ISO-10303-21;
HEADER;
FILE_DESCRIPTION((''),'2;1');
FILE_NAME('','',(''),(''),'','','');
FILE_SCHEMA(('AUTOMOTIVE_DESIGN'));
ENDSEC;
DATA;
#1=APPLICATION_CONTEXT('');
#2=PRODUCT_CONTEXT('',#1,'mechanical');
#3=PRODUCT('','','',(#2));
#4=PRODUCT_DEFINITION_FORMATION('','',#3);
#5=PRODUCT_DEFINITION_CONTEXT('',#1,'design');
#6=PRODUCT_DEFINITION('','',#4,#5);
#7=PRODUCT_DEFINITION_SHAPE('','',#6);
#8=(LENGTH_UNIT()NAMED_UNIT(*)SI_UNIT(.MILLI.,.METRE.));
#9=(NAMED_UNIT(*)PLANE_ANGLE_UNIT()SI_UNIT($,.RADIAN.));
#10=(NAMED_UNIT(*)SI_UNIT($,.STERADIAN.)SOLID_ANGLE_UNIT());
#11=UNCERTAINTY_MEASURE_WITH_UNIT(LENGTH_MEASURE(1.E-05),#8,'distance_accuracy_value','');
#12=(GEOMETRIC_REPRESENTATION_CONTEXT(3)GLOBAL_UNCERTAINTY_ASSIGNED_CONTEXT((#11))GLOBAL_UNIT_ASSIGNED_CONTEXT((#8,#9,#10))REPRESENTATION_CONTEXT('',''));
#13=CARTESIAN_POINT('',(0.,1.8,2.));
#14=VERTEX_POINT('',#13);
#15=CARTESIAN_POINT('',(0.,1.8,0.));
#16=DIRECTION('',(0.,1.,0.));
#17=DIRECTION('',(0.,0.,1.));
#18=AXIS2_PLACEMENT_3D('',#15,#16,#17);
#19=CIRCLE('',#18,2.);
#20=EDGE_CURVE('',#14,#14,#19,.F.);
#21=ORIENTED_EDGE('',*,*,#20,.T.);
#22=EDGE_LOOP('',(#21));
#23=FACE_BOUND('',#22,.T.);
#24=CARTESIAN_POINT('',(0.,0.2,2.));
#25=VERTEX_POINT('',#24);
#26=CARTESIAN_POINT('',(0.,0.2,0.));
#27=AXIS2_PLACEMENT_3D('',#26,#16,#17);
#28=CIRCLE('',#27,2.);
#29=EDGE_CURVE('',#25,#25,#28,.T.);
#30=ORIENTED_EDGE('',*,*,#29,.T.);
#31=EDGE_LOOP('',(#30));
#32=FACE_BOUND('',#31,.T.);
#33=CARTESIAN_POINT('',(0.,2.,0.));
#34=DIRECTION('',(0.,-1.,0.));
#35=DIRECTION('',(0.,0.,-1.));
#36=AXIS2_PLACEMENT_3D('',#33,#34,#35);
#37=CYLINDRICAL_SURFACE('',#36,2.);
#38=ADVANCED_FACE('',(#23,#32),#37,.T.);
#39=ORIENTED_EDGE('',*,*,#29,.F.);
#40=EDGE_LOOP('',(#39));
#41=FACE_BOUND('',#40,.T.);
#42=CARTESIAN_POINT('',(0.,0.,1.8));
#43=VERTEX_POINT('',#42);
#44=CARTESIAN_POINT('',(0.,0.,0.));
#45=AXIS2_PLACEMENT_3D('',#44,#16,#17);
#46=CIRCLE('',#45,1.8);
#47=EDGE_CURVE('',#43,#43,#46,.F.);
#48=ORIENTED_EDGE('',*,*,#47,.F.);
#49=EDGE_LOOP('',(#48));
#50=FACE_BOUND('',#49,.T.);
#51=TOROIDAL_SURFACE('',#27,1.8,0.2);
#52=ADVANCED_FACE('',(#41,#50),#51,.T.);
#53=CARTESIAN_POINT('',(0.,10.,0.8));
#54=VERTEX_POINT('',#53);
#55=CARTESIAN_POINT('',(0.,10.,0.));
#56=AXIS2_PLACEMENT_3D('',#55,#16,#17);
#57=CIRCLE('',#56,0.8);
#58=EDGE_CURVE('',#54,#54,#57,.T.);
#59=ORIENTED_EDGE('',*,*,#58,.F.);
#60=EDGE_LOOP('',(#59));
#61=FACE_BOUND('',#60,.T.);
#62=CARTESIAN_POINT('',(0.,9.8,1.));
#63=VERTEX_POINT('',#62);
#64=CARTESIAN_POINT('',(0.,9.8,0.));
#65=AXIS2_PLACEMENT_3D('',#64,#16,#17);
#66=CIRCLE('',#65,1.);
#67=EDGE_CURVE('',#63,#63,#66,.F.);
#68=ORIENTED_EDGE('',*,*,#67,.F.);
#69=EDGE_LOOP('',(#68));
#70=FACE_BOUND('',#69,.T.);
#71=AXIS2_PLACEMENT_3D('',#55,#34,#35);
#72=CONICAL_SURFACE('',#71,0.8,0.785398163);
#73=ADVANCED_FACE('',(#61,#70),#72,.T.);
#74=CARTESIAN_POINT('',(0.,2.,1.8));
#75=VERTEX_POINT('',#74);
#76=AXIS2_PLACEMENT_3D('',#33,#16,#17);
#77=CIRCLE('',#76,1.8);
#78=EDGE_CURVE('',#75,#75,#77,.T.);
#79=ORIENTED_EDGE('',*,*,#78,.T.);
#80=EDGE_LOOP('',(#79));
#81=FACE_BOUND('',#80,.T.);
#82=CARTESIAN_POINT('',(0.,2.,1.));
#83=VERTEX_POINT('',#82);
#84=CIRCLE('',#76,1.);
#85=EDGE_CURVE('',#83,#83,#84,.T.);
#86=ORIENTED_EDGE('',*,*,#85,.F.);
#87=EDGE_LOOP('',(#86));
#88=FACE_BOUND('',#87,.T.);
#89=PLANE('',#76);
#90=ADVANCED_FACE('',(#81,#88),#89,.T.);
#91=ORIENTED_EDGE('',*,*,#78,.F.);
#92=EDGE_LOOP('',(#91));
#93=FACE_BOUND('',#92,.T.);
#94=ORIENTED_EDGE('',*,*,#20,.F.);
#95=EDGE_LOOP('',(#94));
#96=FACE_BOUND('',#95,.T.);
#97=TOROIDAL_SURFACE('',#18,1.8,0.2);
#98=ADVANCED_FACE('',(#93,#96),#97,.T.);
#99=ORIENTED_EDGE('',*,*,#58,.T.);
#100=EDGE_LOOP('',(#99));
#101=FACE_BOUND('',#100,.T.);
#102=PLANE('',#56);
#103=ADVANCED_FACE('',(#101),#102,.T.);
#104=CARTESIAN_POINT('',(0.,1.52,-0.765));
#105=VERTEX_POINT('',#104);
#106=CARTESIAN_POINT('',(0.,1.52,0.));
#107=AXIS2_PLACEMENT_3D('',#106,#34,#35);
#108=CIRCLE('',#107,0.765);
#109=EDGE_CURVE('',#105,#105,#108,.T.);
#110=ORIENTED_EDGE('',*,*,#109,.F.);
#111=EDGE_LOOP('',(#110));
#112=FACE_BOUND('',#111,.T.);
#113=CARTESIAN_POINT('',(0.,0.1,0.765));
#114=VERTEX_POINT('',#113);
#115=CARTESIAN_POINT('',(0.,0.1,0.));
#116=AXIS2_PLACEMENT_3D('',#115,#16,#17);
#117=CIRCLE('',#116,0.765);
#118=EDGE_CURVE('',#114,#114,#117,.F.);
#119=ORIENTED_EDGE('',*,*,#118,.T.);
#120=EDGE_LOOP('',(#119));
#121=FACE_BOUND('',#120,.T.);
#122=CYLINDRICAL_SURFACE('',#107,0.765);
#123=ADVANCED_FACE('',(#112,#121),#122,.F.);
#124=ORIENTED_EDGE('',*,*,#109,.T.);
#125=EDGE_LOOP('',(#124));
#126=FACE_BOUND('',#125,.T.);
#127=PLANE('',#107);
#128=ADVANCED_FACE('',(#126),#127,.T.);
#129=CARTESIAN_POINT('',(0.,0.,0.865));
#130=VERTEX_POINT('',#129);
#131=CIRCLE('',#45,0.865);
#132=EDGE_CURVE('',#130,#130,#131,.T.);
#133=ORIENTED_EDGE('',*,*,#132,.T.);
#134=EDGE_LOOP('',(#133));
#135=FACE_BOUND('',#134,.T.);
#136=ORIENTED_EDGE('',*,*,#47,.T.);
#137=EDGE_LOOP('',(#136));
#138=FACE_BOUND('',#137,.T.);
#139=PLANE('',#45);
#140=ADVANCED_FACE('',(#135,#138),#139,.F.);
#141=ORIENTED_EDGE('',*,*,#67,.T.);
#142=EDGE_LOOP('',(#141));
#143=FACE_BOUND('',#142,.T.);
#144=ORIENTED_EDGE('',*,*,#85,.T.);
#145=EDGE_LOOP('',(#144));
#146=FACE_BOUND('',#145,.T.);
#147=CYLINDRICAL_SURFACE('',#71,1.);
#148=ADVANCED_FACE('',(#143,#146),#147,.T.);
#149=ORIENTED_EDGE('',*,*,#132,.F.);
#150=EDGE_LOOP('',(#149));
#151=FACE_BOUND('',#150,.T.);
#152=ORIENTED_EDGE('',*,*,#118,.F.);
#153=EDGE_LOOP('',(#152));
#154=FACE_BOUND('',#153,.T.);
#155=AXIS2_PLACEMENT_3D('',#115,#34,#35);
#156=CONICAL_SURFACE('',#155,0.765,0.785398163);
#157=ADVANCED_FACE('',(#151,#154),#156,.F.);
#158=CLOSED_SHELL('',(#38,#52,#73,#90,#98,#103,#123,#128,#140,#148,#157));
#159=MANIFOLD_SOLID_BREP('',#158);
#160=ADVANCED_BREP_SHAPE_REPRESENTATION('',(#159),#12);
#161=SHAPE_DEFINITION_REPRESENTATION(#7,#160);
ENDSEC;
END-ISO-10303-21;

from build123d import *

# Parameters (mm, degrees)
SKETCH_2_R          = 2
EXTRUDE_1_DEPTH     = 2
SKETCH_3_R          = 1
EXTRUDE_2_DEPTH     = 8
FILLET_1_R          = 0.2
SKETCH_4_R          = 0.765
CUT_EXTRUDE_1_DEPTH = 1.52
CHAMFER_1_SIZE      = 0.1
CHAMFER_2_SIZE      = 0.2


with BuildPart() as part:
    # 草图2 → 凸台-拉伸1 (new body)
    with BuildSketch(Plane(origin=(0, 0, 0), x_dir=(1, 0, 0), z_dir=(0, 1, 0))):
        with Locations(Location((0, 0, 0), (0, 0, 270))):
            Circle(SKETCH_2_R)
    extrude(amount=EXTRUDE_1_DEPTH)

    # 草图3 → 凸台-拉伸2 (add)
    with BuildSketch(Plane(origin=(0, 2, 0), x_dir=(1, 0, 0), z_dir=(0, 1, 0))):
        with Locations(Location((0, 0, 0), (0, 0, 270))):
            Circle(SKETCH_3_R)
    extrude(amount=EXTRUDE_2_DEPTH)

    # 圆角1
    fillet_1_edges = [part.edges().sort_by_distance(p)[0] for p in [
        (0, 0, -2),
        (0, 2, -2),
    ]]
    fillet(fillet_1_edges, radius=FILLET_1_R)

    # 草图4 → 切除-拉伸1 (cut)
    with BuildSketch(Plane.XZ):
        with Locations(Location((0, 0, 0), (0, 0, 270))):
            Circle(SKETCH_4_R)
    extrude(amount=-CUT_EXTRUDE_1_DEPTH, mode=Mode.SUBTRACT)

    # 倒角1
    chamfer_1_edges = [part.edges().sort_by_distance(p)[0] for p in [
        (0, 0, 0.765),
    ]]
    chamfer(chamfer_1_edges, length=CHAMFER_1_SIZE)

    # 倒角2
    chamfer_2_edges = [part.edges().sort_by_distance(p)[0] for p in [
        (0, 10, -1),
    ]]
    chamfer(chamfer_2_edges, length=CHAMFER_2_SIZE)


solid = part.part
